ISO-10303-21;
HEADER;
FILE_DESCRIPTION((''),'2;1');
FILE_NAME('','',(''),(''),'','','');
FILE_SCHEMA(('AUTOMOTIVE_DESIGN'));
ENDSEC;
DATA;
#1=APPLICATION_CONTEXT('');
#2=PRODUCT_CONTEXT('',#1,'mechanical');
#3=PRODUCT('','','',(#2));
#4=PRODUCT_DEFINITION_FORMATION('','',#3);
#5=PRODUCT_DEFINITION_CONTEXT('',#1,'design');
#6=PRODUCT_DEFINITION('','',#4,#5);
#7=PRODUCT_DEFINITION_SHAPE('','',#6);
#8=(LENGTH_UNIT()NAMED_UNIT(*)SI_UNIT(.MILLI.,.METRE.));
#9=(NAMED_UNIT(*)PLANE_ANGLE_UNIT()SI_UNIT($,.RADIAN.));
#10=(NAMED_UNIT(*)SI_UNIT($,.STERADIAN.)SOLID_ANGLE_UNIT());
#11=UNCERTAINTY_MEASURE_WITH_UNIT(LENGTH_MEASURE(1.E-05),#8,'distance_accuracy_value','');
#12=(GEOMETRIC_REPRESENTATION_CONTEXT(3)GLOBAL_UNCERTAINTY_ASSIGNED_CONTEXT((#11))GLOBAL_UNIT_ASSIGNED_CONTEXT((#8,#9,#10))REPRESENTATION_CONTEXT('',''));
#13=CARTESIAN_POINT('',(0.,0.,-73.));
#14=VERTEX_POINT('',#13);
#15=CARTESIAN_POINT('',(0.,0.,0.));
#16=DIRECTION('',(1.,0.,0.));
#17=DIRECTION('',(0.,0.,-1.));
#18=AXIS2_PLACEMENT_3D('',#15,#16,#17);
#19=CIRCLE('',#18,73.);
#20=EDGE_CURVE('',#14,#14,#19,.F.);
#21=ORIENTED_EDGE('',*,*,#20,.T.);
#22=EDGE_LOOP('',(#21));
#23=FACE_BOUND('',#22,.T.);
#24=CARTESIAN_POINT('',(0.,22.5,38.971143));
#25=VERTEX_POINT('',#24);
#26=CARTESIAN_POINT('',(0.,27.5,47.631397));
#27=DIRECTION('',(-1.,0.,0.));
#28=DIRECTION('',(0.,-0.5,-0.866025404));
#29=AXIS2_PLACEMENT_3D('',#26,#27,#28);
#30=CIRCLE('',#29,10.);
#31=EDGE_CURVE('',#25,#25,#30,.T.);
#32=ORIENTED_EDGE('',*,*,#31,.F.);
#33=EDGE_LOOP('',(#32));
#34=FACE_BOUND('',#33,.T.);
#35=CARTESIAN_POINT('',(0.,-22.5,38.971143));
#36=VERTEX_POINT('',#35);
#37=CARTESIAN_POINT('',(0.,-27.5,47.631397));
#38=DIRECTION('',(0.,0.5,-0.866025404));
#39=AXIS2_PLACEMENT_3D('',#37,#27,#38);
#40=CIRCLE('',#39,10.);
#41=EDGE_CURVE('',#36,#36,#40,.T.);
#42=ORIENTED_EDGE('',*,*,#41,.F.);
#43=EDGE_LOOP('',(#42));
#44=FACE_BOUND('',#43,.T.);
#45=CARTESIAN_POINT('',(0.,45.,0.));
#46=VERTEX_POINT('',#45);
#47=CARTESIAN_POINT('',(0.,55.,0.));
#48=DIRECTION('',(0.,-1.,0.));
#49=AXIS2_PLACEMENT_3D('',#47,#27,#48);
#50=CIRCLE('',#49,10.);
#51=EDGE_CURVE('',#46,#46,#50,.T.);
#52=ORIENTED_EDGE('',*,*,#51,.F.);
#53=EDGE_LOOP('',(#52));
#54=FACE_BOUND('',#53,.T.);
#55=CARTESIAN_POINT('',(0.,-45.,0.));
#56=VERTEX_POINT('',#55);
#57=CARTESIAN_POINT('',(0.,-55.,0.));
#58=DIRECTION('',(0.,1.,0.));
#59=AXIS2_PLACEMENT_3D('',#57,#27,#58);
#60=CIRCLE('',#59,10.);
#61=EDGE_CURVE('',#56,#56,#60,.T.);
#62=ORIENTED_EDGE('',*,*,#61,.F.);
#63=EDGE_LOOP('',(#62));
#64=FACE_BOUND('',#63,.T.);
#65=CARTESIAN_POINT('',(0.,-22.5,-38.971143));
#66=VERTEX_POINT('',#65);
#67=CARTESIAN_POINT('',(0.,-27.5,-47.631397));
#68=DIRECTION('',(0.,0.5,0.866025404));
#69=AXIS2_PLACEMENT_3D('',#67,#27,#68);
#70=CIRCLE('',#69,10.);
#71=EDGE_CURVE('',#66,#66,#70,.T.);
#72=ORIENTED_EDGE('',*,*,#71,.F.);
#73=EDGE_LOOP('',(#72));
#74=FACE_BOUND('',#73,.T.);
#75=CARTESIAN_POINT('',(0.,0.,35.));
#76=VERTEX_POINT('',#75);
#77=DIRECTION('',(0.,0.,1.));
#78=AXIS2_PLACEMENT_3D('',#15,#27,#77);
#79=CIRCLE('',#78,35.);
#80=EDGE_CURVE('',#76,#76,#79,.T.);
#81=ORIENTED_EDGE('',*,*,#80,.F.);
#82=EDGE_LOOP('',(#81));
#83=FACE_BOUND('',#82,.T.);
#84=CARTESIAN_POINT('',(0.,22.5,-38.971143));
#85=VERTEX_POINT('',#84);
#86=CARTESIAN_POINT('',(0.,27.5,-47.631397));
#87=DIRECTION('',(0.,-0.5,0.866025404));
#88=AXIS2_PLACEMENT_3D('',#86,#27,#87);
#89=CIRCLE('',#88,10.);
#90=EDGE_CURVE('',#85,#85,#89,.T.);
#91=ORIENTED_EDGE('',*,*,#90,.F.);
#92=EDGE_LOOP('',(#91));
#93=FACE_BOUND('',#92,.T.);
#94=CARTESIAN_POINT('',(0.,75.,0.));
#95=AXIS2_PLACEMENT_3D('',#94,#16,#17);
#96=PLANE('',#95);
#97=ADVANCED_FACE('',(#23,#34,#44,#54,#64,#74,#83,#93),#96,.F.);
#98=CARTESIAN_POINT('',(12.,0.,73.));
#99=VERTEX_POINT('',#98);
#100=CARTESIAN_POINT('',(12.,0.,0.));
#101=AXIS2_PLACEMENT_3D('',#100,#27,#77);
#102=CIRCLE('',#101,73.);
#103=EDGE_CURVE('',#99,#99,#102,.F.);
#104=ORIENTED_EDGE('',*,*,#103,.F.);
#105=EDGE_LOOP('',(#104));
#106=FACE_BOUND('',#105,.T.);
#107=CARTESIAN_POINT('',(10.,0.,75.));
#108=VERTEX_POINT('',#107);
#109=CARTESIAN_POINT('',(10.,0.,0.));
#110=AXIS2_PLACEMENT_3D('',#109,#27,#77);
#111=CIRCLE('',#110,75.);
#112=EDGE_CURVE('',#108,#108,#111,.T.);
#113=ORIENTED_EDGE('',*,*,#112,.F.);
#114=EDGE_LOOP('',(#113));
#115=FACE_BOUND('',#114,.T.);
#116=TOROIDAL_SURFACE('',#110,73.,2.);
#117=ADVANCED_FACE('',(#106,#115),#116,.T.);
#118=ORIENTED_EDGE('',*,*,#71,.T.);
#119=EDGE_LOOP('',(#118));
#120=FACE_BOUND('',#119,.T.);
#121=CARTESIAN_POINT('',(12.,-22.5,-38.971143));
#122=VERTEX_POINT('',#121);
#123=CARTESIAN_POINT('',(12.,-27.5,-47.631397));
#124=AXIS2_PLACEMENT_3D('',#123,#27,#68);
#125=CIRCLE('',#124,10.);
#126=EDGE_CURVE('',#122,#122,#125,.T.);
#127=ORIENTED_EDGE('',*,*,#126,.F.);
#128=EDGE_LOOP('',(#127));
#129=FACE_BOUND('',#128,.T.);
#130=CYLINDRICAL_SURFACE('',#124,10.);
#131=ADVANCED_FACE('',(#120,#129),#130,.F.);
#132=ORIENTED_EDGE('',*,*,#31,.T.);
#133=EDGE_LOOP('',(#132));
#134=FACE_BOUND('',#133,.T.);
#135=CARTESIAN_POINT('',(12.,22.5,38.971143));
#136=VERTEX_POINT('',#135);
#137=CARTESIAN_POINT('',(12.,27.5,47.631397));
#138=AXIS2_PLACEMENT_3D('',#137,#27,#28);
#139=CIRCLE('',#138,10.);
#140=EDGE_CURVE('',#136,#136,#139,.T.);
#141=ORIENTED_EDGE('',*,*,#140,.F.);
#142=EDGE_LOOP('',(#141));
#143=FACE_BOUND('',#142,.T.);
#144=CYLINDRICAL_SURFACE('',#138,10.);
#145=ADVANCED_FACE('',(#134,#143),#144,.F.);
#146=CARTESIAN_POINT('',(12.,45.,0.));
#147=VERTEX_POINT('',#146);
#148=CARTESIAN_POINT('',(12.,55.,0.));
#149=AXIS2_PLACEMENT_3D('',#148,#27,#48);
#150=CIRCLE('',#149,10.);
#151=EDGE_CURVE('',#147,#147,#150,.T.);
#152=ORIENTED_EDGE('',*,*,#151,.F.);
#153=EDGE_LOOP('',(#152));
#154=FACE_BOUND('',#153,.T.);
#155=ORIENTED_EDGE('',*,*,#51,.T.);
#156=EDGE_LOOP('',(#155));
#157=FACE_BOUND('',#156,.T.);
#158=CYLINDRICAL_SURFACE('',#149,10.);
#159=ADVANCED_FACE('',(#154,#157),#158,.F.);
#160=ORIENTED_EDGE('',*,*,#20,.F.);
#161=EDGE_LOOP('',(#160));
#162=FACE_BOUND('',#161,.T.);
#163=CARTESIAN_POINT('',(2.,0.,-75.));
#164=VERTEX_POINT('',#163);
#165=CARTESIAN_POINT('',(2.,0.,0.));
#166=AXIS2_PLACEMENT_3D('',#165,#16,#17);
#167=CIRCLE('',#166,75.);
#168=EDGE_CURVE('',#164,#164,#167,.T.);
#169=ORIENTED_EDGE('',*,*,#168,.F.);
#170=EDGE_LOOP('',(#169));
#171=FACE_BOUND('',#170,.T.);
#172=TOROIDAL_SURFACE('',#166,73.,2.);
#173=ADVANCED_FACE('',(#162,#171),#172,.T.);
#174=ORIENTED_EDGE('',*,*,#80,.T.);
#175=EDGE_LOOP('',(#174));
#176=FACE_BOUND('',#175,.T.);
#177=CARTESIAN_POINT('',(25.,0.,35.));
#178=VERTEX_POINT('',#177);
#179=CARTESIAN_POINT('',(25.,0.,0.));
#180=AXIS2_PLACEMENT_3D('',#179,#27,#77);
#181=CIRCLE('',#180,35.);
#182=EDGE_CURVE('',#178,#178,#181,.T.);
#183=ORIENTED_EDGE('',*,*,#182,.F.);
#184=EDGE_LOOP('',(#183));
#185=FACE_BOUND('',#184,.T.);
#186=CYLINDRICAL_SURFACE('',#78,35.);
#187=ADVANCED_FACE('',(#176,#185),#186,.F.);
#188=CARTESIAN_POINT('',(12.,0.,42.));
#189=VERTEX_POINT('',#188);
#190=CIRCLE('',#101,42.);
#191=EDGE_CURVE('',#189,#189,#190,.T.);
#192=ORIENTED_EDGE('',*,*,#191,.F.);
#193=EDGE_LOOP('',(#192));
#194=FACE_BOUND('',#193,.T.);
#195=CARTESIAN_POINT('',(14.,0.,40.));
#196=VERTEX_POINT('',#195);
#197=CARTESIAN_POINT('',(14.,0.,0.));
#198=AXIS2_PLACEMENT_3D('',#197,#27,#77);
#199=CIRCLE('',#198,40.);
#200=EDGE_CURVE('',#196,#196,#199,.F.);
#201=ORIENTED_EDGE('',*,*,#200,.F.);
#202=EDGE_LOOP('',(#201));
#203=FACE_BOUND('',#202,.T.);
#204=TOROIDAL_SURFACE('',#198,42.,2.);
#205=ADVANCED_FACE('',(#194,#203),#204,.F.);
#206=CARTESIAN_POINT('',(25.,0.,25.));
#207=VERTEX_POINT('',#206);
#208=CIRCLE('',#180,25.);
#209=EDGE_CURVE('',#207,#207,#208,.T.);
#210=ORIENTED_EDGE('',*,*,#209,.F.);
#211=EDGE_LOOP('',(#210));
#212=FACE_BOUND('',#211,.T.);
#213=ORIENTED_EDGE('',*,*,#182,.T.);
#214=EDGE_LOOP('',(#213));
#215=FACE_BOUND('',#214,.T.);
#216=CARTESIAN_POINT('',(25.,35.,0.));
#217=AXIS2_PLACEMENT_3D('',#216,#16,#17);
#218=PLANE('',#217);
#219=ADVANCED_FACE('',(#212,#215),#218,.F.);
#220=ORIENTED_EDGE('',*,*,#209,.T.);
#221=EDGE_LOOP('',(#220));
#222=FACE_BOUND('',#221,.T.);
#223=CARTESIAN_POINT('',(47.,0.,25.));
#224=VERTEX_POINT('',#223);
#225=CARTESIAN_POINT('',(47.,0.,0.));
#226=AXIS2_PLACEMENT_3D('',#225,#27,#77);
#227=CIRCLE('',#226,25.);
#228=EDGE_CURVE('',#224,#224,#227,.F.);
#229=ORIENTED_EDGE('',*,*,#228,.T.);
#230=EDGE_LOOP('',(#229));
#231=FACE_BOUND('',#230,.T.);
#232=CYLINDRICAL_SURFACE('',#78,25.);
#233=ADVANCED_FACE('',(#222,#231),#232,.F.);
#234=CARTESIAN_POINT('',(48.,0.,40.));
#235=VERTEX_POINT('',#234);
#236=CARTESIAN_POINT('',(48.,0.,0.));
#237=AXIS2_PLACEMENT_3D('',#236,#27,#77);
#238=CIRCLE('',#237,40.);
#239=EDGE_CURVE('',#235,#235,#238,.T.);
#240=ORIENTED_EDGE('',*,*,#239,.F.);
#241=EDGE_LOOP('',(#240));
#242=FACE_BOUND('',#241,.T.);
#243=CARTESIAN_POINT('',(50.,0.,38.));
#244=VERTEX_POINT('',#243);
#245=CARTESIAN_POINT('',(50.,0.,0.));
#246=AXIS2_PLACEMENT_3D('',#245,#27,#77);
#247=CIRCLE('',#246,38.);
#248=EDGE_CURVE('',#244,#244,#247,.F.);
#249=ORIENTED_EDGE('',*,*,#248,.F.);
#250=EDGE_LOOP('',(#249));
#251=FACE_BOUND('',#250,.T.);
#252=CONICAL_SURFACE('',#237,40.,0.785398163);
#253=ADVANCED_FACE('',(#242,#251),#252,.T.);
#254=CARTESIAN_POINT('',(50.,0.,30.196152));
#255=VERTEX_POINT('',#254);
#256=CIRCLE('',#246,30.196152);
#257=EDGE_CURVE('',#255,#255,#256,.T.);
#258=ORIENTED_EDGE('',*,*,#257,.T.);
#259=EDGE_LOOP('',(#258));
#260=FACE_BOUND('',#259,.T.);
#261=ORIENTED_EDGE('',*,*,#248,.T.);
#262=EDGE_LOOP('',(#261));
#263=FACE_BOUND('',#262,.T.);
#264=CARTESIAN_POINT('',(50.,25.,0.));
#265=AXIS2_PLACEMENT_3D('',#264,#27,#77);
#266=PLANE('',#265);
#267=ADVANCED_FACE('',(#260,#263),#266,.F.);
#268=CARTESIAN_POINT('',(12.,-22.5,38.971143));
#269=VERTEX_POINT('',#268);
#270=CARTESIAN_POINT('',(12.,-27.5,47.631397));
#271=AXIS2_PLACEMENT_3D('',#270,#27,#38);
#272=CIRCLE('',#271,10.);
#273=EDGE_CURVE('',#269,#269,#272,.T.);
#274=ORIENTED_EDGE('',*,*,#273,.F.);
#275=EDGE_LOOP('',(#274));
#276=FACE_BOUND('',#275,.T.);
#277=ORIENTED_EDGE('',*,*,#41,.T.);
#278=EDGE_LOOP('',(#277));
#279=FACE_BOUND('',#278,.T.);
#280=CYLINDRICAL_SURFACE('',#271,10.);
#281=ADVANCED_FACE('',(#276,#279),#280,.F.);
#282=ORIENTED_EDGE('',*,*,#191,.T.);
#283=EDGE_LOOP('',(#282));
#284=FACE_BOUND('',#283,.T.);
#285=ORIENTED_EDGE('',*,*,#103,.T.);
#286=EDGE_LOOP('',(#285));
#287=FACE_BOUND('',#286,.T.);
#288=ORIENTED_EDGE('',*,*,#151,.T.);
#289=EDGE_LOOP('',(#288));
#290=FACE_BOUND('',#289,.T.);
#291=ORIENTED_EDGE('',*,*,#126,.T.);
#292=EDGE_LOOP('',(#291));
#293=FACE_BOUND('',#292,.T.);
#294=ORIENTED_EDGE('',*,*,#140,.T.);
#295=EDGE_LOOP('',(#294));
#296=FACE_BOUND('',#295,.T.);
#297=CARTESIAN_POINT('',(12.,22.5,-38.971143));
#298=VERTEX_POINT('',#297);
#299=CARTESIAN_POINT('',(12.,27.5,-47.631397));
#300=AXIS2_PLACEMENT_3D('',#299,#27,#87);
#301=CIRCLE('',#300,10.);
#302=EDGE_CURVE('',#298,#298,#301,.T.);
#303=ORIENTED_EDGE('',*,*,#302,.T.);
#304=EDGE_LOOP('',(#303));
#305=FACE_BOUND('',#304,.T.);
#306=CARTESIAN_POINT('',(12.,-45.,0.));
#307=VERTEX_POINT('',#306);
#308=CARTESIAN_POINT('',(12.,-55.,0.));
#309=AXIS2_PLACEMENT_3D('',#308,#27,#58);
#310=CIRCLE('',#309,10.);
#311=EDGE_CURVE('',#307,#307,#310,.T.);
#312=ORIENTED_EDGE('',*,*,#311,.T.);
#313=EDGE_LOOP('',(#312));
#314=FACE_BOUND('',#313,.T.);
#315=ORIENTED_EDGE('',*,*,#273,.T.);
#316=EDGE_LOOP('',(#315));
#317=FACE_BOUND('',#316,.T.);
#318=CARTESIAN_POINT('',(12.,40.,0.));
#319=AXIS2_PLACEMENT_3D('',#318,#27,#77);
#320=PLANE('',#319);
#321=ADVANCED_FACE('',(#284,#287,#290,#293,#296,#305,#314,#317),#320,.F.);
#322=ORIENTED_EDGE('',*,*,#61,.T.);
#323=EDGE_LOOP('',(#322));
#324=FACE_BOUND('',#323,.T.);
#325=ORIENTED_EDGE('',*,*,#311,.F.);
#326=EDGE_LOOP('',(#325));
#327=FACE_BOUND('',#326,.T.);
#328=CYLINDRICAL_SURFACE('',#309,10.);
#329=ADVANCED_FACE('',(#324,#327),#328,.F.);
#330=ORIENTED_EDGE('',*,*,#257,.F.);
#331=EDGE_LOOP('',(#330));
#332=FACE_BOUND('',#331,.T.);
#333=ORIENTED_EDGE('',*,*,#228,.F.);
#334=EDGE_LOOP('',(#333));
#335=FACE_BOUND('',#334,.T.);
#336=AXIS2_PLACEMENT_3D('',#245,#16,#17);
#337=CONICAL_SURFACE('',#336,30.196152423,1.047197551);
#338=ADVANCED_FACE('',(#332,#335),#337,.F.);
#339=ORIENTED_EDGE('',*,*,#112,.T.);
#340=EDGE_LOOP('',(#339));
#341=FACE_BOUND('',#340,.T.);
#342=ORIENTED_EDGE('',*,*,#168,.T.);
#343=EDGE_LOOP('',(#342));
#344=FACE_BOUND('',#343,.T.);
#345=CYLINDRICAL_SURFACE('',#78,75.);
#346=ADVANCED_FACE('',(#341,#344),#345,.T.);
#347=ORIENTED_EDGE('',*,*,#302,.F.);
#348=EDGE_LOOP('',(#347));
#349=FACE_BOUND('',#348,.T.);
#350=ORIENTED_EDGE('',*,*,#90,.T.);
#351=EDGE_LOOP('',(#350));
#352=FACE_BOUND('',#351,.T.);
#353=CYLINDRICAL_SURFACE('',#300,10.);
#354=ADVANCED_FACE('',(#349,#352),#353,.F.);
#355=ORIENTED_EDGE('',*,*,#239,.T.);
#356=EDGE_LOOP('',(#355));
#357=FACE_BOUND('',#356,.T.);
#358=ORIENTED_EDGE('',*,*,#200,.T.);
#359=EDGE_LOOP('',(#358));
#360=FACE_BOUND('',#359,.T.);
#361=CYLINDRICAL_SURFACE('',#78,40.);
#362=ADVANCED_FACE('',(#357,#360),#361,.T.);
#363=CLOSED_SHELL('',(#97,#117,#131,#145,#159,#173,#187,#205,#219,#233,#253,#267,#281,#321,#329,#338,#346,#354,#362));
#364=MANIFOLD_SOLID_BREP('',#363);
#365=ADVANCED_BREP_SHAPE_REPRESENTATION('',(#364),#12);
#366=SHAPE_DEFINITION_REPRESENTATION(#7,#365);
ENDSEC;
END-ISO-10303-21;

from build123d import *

# Parameters (mm, degrees)
SKETCH_2_W               = 12
SKETCH_2_H               = 10
PATTERN_CIRCULAR_1_COUNT = 6
FILLET_1_R               = 2
CHAMFER_1_SIZE           = 2
CHAMFER_3_SIZE           = 3
CHAMFER_3_SIZE2          = 5.196152423


with BuildPart() as part:
    # Эскиз1 → Повернуть1 (revolve)
    with BuildSketch(Plane.XY, mode=Mode.PRIVATE) as revolve_1_sk:
        Polygon((0, 35), (25, 35), (25, 25), (50, 25), (50, 40), (12, 40), (12, 75), (0, 75), align=None)
    revolve(revolve_1_sk.sketch.rotate(Axis((0, 0, 0), (1, 0, 0)), 90), axis=Axis((0, 0, 0), (1, 0, 0)))

    # Эскиз2 → Вырез-Повернуть1 (revolve, cut)
    with BuildSketch(Plane.XY, mode=Mode.PRIVATE) as cut_revolve_1_sk:
        with Locations((6, 60)):
            Rectangle(SKETCH_2_W, SKETCH_2_H)
    cut_revolve_1 = revolve(cut_revolve_1_sk.sketch.rotate(Axis((12, 55, 0), (1, 0, 0)), 180), axis=Axis((12, 55, 0), (1, 0, 0)), mode=Mode.SUBTRACT)

    # Круговой массив1: Вырез-Повернуть1 ×6 about axis
    pattern_circular_1_axis = Axis((0, 0, 0), (1, 0, 0))
    for i in range(1, PATTERN_CIRCULAR_1_COUNT):
        add(cut_revolve_1.rotate(pattern_circular_1_axis, i * 360 / PATTERN_CIRCULAR_1_COUNT), mode=Mode.SUBTRACT)

    # Скругление1
    fillet_1_edges = [part.edges().sort_by_distance(p)[0] for p in [
        (0, 0, -75),
        (12, 0, -75),
        (12, 0, -40),
    ]]
    fillet(fillet_1_edges, radius=FILLET_1_R)

    # Фаска1
    chamfer_1_edges = [part.edges().sort_by_distance(p)[0] for p in [
        (50, 0, -40),
    ]]
    chamfer(chamfer_1_edges, length=CHAMFER_1_SIZE)

    # Фаска3
    chamfer_3_edges = [part.edges().sort_by_distance(p)[0] for p in [
        (50, 0, -25),
    ]]
    chamfer_3_side = [part.faces().sort_by_distance(p)[0] for p in [
        (37.5, 0, -25),
    ]]
    chamfer(chamfer_3_edges, length=CHAMFER_3_SIZE, length2=CHAMFER_3_SIZE2, reference=chamfer_3_side[0])


solid = part.part
